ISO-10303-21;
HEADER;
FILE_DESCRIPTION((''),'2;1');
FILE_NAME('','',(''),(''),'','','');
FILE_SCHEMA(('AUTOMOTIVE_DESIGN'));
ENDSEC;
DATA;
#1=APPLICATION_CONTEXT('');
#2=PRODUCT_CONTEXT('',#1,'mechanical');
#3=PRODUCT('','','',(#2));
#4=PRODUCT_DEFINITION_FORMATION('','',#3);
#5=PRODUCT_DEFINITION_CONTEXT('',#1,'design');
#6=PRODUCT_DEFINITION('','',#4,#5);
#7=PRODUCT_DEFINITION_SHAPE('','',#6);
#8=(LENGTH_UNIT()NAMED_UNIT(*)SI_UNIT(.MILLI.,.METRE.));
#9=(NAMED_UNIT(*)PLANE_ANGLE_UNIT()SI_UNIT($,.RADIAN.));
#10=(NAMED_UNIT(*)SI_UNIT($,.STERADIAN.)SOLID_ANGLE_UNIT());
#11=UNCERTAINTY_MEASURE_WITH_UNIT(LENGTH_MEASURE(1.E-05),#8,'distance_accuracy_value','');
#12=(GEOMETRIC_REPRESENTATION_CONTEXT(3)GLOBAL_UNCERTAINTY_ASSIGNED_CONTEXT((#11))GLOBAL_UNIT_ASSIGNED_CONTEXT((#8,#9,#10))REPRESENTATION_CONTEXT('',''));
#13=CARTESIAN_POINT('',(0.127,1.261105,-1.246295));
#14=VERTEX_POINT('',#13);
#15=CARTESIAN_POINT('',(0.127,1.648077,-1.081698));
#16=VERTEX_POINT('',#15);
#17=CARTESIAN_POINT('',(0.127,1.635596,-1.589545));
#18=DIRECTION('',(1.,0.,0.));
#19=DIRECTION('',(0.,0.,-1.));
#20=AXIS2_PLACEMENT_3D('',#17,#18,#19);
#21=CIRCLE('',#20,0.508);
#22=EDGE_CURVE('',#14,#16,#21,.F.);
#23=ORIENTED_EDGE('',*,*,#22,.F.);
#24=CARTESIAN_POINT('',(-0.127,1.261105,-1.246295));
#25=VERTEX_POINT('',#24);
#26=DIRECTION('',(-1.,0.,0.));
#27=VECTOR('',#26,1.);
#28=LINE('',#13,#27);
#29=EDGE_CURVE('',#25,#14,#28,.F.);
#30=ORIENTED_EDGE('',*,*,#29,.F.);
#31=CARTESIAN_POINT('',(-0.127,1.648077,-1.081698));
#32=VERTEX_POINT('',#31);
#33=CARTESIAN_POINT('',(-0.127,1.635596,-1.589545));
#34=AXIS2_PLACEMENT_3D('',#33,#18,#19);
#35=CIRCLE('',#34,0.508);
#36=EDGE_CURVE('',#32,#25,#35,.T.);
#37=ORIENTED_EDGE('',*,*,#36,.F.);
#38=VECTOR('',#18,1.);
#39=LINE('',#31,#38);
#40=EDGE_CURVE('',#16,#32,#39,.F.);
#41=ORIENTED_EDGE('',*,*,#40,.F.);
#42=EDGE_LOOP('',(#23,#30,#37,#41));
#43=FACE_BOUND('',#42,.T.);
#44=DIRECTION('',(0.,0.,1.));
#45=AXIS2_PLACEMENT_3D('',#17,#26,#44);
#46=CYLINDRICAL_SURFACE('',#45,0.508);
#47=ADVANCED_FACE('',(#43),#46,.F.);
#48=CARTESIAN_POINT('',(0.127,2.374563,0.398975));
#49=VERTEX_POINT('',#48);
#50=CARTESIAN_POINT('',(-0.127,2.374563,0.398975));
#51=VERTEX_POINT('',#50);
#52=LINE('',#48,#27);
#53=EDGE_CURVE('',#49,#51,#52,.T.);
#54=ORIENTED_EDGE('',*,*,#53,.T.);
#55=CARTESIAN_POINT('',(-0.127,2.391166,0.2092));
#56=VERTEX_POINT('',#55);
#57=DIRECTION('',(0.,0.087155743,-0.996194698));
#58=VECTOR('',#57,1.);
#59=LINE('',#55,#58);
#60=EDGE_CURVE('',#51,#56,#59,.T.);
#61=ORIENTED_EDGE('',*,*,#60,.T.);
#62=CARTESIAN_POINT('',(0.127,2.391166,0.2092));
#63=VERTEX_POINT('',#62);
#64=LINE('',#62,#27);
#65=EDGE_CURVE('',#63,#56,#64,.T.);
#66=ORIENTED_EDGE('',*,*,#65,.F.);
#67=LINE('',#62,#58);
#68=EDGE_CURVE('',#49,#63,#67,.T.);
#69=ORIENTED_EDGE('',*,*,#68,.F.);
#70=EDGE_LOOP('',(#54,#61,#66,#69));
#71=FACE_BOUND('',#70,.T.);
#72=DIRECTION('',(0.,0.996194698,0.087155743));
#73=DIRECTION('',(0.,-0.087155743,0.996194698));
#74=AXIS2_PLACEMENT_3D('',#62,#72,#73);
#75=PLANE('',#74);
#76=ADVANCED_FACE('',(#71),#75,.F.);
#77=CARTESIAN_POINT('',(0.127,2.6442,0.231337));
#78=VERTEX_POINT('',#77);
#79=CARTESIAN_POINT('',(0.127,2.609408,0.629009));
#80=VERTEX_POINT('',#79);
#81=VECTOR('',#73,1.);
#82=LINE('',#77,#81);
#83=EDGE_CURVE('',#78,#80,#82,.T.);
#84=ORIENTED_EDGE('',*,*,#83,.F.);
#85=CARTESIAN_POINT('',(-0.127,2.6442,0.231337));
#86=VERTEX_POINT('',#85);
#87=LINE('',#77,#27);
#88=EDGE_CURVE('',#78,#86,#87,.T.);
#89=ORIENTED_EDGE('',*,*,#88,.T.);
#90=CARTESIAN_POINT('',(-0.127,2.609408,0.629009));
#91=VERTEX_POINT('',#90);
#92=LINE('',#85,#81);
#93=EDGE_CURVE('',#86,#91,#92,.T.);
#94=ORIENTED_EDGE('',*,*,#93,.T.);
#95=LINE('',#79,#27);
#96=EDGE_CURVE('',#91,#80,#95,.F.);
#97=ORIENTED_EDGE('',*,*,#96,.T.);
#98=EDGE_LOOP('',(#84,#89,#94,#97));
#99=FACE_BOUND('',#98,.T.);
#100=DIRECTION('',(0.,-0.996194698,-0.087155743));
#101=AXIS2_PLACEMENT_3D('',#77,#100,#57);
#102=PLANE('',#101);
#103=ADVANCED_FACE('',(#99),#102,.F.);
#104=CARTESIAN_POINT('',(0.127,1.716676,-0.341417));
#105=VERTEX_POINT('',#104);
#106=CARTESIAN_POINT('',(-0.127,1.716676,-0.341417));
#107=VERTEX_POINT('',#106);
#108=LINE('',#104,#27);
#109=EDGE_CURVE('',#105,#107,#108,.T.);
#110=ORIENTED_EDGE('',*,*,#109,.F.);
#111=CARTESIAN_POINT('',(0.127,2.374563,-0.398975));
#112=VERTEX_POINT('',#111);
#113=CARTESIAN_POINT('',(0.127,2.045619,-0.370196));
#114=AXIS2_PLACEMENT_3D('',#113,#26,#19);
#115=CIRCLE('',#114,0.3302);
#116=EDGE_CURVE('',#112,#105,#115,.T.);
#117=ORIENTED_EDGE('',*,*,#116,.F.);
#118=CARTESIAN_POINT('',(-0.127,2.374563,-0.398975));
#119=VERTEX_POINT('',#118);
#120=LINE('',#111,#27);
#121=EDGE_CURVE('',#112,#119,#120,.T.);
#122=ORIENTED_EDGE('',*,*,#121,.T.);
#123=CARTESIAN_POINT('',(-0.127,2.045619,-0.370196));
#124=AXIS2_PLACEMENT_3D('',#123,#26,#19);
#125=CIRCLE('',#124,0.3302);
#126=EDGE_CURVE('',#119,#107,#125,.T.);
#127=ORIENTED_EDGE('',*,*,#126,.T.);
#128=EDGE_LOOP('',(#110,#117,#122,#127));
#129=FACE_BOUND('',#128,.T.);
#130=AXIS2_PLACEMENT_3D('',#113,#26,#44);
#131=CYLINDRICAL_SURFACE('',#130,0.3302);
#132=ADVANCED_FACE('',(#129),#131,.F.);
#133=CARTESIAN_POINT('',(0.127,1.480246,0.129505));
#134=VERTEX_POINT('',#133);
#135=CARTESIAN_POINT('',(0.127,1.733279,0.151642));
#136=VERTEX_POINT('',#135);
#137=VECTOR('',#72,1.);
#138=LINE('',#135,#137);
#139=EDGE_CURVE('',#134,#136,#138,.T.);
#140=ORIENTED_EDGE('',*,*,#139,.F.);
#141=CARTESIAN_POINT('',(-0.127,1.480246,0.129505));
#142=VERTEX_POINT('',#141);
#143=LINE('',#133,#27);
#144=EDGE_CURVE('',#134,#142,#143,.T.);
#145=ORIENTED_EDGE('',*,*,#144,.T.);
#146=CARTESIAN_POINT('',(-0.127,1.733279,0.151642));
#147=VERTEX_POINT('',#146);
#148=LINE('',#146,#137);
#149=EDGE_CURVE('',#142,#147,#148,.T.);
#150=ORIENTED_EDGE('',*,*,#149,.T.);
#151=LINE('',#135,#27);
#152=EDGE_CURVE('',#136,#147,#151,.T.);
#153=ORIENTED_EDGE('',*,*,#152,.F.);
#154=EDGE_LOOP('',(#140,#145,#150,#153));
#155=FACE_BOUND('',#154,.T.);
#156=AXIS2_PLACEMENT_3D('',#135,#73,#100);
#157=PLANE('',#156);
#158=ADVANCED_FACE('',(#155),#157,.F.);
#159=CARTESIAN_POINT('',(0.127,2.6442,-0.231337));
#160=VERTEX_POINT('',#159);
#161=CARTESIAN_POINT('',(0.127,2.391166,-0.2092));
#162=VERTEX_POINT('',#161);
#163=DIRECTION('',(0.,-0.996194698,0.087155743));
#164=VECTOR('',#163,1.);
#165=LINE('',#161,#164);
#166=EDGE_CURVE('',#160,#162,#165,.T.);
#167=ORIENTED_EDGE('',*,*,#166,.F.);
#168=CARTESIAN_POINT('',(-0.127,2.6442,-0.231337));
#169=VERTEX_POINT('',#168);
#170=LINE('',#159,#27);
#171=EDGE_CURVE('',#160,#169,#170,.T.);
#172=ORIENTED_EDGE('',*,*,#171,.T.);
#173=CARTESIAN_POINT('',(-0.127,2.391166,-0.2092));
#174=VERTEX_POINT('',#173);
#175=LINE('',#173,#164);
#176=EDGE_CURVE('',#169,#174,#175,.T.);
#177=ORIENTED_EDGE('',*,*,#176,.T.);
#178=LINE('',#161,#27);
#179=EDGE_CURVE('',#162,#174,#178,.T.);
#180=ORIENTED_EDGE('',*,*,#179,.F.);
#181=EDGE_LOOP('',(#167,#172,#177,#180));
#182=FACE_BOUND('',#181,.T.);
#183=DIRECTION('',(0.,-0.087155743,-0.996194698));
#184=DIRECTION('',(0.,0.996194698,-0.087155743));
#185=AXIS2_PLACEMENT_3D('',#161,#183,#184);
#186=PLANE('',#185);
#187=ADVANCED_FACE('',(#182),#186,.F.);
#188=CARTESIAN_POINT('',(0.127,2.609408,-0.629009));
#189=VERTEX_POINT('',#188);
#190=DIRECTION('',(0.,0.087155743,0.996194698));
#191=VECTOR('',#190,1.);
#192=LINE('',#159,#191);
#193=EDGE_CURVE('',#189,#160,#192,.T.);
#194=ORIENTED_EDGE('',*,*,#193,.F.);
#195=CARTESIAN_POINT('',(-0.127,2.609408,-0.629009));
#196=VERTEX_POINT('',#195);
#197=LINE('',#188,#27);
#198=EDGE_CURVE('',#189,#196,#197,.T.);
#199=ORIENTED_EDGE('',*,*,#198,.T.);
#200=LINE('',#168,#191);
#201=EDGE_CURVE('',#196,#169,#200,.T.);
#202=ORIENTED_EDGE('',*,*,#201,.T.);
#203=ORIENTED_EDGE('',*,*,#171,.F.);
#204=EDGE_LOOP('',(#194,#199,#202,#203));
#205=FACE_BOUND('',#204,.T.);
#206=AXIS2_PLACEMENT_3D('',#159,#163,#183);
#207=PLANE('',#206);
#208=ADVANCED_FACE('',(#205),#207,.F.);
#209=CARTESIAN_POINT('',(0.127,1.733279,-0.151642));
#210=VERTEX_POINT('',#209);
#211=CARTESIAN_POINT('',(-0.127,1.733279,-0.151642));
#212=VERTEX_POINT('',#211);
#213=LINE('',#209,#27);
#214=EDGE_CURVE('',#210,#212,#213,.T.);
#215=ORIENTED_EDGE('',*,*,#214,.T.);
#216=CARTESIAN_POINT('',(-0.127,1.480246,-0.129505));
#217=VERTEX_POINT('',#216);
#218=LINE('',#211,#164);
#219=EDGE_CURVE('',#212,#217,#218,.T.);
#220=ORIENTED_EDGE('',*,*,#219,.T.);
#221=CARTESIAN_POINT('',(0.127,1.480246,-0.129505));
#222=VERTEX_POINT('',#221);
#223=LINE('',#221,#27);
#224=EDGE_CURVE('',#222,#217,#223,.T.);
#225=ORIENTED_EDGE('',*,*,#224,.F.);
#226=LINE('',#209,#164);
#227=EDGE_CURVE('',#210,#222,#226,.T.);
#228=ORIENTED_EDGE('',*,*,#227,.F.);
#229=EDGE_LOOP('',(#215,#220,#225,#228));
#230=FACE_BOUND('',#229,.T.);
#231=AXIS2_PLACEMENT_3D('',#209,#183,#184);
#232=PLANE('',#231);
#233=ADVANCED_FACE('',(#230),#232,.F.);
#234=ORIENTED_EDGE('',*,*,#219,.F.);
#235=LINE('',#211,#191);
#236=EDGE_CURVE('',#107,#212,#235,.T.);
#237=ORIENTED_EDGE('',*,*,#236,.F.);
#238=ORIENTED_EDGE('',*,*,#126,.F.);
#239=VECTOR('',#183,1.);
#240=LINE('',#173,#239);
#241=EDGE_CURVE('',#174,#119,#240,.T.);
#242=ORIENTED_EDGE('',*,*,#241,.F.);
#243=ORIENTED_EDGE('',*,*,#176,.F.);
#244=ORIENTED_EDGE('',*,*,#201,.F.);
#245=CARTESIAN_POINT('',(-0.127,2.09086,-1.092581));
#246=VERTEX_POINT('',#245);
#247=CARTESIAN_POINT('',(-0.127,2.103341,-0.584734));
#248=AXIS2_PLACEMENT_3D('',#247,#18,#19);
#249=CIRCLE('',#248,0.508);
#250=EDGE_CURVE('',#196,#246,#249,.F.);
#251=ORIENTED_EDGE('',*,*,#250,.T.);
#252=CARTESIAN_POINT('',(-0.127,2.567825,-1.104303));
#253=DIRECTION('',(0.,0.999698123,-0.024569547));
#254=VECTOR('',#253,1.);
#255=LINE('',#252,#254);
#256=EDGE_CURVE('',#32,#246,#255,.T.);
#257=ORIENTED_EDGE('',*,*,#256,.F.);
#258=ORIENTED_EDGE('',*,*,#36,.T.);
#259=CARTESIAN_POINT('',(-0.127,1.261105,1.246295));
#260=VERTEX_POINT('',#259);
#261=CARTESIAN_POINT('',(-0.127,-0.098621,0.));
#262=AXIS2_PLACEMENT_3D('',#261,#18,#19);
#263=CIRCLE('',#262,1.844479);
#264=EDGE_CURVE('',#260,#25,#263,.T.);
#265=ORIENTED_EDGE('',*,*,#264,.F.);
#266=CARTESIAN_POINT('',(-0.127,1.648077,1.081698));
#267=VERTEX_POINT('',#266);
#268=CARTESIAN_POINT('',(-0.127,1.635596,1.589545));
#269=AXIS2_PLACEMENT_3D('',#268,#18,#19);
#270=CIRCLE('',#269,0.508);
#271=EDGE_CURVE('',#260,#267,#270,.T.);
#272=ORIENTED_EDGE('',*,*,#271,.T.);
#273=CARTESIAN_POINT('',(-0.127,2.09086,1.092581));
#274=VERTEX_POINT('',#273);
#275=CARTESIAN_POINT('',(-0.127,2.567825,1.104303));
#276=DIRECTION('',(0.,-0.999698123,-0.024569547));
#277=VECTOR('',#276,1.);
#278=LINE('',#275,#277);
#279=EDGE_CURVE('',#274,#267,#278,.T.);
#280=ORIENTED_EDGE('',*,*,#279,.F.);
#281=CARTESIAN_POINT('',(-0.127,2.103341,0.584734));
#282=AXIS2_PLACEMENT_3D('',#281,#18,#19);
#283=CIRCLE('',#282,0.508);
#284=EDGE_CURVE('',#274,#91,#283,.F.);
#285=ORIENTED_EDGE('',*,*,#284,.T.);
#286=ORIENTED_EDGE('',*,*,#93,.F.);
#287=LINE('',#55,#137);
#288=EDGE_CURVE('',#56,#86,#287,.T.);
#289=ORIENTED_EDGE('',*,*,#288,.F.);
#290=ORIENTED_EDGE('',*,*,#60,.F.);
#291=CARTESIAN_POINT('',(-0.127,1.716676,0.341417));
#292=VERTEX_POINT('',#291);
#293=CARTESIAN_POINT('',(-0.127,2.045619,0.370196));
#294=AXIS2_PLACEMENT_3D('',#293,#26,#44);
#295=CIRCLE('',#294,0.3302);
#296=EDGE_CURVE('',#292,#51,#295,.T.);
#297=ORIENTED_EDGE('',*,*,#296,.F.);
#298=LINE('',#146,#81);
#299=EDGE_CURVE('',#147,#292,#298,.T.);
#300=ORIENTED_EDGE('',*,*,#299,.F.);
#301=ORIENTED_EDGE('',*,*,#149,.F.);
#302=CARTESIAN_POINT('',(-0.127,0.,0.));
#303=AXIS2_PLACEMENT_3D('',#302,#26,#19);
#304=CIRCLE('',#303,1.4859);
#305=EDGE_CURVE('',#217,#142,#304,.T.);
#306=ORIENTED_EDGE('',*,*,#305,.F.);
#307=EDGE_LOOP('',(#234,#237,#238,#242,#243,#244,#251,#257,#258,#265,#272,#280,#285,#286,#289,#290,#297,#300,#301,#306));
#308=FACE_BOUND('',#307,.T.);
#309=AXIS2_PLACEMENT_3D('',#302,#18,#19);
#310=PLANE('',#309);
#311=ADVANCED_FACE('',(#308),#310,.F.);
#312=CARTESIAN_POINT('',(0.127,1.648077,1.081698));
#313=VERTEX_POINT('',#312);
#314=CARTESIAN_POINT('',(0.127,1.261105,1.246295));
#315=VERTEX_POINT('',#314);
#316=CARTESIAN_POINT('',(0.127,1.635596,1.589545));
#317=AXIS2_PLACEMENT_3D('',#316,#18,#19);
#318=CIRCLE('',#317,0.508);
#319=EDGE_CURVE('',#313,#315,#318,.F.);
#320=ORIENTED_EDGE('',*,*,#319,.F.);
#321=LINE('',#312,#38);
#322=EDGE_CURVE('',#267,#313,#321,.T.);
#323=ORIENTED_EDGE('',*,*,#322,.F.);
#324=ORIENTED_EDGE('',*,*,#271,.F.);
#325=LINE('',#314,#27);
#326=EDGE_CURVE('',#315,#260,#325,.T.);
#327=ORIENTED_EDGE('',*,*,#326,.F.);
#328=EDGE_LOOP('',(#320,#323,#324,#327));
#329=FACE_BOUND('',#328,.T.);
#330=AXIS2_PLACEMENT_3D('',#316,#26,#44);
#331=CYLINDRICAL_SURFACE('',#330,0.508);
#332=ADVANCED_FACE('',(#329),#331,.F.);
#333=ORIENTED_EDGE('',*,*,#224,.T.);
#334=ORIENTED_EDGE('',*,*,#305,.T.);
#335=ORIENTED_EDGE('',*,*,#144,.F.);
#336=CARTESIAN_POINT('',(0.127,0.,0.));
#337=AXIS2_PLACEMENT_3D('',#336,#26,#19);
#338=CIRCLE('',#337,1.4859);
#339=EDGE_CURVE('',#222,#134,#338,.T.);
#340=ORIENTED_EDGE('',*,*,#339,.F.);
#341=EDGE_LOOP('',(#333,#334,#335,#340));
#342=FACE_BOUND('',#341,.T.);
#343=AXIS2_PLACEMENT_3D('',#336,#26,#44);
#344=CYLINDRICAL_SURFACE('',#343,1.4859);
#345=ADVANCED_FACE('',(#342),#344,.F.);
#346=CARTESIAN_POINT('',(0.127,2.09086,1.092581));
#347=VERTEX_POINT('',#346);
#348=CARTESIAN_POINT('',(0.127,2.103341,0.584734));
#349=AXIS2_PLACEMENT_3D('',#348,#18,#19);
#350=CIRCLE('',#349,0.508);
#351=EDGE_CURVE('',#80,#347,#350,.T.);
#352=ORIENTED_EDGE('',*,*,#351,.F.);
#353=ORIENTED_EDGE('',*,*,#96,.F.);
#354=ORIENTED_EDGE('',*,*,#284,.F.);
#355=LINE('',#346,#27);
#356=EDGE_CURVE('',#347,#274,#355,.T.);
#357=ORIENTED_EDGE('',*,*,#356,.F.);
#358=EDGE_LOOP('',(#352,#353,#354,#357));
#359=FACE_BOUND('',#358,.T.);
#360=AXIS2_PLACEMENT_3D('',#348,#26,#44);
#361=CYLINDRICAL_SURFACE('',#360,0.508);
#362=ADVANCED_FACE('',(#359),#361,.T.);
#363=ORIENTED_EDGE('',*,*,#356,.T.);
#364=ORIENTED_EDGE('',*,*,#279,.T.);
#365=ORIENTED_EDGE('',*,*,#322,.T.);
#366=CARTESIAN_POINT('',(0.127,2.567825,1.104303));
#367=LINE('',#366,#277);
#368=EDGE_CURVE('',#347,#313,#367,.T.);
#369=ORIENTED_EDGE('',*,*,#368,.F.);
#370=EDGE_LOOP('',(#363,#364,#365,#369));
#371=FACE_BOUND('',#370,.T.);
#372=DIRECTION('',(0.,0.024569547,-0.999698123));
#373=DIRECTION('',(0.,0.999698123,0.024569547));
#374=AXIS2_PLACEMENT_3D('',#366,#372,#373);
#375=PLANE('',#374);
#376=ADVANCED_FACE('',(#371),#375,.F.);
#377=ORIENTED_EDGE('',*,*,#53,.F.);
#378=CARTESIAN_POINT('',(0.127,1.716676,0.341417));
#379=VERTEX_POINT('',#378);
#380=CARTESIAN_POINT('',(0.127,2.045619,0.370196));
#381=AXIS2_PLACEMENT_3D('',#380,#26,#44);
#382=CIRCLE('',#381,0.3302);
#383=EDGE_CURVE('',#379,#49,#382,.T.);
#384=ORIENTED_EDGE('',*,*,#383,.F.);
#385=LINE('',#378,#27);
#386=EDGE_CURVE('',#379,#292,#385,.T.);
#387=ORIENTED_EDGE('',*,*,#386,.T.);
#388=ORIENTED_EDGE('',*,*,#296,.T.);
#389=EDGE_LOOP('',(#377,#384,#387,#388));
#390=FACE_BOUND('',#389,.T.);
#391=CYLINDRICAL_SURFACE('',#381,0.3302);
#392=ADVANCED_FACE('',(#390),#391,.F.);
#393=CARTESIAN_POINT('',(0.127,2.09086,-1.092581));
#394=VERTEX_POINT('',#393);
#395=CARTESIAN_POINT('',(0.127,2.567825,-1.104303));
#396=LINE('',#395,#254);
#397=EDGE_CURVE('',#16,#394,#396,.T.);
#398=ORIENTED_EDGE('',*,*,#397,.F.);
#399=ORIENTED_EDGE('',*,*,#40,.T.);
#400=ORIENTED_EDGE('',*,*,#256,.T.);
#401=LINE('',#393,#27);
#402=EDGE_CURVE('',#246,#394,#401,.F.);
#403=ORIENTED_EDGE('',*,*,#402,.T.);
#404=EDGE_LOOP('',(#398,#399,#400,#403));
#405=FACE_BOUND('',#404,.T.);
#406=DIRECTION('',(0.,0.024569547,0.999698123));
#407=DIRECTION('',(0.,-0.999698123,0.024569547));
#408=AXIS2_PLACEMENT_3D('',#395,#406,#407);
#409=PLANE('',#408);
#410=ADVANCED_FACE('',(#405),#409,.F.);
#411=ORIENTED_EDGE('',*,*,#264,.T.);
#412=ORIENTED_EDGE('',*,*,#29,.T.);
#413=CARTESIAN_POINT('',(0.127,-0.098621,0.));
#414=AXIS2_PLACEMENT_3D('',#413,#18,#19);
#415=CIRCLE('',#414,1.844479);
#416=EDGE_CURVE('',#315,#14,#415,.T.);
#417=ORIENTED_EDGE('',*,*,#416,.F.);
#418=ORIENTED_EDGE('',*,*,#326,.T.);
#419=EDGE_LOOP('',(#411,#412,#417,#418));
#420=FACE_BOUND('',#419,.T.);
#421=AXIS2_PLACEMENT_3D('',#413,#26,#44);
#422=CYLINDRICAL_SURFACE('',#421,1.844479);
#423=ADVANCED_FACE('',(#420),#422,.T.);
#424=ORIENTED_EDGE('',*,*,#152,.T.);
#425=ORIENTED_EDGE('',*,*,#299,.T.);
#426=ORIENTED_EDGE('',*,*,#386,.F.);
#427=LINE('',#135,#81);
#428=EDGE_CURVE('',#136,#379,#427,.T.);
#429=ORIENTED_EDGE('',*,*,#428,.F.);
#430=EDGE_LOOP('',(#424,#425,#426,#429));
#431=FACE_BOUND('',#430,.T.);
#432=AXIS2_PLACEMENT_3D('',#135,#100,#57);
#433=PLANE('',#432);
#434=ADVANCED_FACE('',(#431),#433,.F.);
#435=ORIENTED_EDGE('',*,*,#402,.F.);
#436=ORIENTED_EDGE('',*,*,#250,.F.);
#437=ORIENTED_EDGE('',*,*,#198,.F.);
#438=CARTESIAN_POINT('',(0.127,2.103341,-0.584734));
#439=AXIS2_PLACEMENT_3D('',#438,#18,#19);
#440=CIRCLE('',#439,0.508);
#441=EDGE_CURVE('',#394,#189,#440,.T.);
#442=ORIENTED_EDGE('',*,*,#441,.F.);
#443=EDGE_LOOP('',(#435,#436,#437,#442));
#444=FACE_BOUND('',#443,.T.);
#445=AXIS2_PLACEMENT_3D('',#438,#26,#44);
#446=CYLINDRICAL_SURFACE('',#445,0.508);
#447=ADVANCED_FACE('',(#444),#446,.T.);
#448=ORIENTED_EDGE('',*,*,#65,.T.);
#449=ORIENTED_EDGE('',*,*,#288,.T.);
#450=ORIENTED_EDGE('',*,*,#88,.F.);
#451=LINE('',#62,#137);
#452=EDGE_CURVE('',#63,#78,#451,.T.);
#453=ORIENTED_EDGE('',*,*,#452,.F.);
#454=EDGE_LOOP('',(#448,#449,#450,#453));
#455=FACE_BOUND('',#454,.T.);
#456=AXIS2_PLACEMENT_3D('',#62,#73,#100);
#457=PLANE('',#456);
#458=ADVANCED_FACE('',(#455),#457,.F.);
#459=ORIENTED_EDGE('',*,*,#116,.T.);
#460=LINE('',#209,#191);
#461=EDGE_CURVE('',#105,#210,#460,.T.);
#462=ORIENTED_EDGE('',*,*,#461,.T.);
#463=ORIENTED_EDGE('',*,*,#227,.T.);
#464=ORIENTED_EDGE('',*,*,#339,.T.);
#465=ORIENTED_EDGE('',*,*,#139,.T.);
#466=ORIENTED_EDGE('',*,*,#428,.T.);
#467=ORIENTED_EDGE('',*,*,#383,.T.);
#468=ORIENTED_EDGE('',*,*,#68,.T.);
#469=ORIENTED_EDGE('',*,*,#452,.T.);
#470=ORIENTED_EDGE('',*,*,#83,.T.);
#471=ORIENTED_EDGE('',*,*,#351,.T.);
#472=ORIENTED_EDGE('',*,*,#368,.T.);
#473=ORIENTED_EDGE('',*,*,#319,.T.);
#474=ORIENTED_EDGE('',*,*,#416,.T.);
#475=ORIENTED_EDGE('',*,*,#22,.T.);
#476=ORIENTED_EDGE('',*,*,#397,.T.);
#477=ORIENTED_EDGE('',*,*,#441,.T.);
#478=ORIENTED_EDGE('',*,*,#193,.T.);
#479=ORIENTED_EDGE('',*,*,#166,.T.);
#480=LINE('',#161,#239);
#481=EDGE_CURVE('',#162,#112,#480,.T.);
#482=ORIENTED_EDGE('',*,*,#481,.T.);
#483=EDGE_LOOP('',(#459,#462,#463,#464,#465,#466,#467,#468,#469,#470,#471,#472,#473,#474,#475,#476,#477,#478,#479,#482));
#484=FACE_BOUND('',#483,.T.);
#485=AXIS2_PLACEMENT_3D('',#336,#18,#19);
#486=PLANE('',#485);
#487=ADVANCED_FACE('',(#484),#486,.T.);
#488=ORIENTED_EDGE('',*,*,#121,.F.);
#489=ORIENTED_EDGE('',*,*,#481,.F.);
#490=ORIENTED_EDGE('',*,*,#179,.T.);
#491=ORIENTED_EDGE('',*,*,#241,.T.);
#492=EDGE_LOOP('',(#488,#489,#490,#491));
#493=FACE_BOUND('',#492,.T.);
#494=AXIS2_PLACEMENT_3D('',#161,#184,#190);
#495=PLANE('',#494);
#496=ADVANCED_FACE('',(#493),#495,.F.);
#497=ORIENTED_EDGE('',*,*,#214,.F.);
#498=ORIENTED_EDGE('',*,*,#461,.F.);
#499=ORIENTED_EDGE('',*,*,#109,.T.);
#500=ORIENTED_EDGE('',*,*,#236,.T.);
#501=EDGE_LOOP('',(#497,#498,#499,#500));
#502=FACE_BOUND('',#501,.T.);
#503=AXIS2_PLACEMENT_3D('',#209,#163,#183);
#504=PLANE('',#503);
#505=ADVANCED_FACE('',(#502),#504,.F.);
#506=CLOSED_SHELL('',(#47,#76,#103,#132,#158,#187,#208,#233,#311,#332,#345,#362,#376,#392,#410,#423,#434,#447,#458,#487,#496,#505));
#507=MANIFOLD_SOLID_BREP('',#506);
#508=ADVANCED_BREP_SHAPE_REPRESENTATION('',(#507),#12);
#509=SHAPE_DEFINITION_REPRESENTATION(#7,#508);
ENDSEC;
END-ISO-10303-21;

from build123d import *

# Parameters (mm, degrees)
EXTRUDE1_DEPTH = 0.127
FILLET1_R      = 0.508


with BuildPart() as part:
    # Sketch1 → Extrude1 (new body, symmetric)
    with BuildSketch(Plane(origin=(0, 0, 0), x_dir=(0, 0, -1), z_dir=(1, 0, 0))):
        with BuildLine():
            Line((0.231337488, 2.644199587), (1.104302902, 2.56782501))
            Line((1.104302902, 2.56782501), (1.075595843, 1.399777723))
            ThreePointArc((1.075595843, 1.399777723), (0, -1.9431), (-1.075595843, 1.399777723))
            Line((-1.075595843, 1.399777723), (-1.104302902, 2.56782501))
            Line((-1.104302902, 2.56782501), (-0.231337488, 2.644199587))
            Line((-0.231337488, 2.644199587), (-0.209199929, 2.391166134))
            Line((-0.209199929, 2.391166134), (-0.398975019, 2.374562965))
            ThreePointArc((-0.398975019, 2.374562965), (-0.699139682, 2.016840649), (-0.341417367, 1.716675986))
            Line((-0.341417367, 1.716675986), (-0.151642277, 1.733279155))
            Line((-0.151642277, 1.733279155), (-0.129504718, 1.480245702))
            ThreePointArc((-0.129504718, 1.480245702), (0, -1.4859), (0.129504718, 1.480245702))
            Line((0.129504718, 1.480245702), (0.151642277, 1.733279155))
            Line((0.151642277, 1.733279155), (0.341417367, 1.716675986))
            ThreePointArc((0.341417367, 1.716675986), (0.699139682, 2.016840649), (0.398975019, 2.374562965))
            Line((0.398975019, 2.374562965), (0.209199929, 2.391166134))
            Line((0.209199929, 2.391166134), (0.231337488, 2.644199587))
        make_face()
    extrude(amount=EXTRUDE1_DEPTH, both=True)

    # Fillet1
    fillet1_edges = [part.edges().sort_by_distance(p)[0] for p in [
        (0, 2.56782501, -1.104302902),
        (0, 1.399777723, -1.075595843),
        (0, 1.399777723, 1.075595843),
        (0, 2.56782501, 1.104302902),
    ]]
    fillet(fillet1_edges, radius=FILLET1_R)


solid = part.part
